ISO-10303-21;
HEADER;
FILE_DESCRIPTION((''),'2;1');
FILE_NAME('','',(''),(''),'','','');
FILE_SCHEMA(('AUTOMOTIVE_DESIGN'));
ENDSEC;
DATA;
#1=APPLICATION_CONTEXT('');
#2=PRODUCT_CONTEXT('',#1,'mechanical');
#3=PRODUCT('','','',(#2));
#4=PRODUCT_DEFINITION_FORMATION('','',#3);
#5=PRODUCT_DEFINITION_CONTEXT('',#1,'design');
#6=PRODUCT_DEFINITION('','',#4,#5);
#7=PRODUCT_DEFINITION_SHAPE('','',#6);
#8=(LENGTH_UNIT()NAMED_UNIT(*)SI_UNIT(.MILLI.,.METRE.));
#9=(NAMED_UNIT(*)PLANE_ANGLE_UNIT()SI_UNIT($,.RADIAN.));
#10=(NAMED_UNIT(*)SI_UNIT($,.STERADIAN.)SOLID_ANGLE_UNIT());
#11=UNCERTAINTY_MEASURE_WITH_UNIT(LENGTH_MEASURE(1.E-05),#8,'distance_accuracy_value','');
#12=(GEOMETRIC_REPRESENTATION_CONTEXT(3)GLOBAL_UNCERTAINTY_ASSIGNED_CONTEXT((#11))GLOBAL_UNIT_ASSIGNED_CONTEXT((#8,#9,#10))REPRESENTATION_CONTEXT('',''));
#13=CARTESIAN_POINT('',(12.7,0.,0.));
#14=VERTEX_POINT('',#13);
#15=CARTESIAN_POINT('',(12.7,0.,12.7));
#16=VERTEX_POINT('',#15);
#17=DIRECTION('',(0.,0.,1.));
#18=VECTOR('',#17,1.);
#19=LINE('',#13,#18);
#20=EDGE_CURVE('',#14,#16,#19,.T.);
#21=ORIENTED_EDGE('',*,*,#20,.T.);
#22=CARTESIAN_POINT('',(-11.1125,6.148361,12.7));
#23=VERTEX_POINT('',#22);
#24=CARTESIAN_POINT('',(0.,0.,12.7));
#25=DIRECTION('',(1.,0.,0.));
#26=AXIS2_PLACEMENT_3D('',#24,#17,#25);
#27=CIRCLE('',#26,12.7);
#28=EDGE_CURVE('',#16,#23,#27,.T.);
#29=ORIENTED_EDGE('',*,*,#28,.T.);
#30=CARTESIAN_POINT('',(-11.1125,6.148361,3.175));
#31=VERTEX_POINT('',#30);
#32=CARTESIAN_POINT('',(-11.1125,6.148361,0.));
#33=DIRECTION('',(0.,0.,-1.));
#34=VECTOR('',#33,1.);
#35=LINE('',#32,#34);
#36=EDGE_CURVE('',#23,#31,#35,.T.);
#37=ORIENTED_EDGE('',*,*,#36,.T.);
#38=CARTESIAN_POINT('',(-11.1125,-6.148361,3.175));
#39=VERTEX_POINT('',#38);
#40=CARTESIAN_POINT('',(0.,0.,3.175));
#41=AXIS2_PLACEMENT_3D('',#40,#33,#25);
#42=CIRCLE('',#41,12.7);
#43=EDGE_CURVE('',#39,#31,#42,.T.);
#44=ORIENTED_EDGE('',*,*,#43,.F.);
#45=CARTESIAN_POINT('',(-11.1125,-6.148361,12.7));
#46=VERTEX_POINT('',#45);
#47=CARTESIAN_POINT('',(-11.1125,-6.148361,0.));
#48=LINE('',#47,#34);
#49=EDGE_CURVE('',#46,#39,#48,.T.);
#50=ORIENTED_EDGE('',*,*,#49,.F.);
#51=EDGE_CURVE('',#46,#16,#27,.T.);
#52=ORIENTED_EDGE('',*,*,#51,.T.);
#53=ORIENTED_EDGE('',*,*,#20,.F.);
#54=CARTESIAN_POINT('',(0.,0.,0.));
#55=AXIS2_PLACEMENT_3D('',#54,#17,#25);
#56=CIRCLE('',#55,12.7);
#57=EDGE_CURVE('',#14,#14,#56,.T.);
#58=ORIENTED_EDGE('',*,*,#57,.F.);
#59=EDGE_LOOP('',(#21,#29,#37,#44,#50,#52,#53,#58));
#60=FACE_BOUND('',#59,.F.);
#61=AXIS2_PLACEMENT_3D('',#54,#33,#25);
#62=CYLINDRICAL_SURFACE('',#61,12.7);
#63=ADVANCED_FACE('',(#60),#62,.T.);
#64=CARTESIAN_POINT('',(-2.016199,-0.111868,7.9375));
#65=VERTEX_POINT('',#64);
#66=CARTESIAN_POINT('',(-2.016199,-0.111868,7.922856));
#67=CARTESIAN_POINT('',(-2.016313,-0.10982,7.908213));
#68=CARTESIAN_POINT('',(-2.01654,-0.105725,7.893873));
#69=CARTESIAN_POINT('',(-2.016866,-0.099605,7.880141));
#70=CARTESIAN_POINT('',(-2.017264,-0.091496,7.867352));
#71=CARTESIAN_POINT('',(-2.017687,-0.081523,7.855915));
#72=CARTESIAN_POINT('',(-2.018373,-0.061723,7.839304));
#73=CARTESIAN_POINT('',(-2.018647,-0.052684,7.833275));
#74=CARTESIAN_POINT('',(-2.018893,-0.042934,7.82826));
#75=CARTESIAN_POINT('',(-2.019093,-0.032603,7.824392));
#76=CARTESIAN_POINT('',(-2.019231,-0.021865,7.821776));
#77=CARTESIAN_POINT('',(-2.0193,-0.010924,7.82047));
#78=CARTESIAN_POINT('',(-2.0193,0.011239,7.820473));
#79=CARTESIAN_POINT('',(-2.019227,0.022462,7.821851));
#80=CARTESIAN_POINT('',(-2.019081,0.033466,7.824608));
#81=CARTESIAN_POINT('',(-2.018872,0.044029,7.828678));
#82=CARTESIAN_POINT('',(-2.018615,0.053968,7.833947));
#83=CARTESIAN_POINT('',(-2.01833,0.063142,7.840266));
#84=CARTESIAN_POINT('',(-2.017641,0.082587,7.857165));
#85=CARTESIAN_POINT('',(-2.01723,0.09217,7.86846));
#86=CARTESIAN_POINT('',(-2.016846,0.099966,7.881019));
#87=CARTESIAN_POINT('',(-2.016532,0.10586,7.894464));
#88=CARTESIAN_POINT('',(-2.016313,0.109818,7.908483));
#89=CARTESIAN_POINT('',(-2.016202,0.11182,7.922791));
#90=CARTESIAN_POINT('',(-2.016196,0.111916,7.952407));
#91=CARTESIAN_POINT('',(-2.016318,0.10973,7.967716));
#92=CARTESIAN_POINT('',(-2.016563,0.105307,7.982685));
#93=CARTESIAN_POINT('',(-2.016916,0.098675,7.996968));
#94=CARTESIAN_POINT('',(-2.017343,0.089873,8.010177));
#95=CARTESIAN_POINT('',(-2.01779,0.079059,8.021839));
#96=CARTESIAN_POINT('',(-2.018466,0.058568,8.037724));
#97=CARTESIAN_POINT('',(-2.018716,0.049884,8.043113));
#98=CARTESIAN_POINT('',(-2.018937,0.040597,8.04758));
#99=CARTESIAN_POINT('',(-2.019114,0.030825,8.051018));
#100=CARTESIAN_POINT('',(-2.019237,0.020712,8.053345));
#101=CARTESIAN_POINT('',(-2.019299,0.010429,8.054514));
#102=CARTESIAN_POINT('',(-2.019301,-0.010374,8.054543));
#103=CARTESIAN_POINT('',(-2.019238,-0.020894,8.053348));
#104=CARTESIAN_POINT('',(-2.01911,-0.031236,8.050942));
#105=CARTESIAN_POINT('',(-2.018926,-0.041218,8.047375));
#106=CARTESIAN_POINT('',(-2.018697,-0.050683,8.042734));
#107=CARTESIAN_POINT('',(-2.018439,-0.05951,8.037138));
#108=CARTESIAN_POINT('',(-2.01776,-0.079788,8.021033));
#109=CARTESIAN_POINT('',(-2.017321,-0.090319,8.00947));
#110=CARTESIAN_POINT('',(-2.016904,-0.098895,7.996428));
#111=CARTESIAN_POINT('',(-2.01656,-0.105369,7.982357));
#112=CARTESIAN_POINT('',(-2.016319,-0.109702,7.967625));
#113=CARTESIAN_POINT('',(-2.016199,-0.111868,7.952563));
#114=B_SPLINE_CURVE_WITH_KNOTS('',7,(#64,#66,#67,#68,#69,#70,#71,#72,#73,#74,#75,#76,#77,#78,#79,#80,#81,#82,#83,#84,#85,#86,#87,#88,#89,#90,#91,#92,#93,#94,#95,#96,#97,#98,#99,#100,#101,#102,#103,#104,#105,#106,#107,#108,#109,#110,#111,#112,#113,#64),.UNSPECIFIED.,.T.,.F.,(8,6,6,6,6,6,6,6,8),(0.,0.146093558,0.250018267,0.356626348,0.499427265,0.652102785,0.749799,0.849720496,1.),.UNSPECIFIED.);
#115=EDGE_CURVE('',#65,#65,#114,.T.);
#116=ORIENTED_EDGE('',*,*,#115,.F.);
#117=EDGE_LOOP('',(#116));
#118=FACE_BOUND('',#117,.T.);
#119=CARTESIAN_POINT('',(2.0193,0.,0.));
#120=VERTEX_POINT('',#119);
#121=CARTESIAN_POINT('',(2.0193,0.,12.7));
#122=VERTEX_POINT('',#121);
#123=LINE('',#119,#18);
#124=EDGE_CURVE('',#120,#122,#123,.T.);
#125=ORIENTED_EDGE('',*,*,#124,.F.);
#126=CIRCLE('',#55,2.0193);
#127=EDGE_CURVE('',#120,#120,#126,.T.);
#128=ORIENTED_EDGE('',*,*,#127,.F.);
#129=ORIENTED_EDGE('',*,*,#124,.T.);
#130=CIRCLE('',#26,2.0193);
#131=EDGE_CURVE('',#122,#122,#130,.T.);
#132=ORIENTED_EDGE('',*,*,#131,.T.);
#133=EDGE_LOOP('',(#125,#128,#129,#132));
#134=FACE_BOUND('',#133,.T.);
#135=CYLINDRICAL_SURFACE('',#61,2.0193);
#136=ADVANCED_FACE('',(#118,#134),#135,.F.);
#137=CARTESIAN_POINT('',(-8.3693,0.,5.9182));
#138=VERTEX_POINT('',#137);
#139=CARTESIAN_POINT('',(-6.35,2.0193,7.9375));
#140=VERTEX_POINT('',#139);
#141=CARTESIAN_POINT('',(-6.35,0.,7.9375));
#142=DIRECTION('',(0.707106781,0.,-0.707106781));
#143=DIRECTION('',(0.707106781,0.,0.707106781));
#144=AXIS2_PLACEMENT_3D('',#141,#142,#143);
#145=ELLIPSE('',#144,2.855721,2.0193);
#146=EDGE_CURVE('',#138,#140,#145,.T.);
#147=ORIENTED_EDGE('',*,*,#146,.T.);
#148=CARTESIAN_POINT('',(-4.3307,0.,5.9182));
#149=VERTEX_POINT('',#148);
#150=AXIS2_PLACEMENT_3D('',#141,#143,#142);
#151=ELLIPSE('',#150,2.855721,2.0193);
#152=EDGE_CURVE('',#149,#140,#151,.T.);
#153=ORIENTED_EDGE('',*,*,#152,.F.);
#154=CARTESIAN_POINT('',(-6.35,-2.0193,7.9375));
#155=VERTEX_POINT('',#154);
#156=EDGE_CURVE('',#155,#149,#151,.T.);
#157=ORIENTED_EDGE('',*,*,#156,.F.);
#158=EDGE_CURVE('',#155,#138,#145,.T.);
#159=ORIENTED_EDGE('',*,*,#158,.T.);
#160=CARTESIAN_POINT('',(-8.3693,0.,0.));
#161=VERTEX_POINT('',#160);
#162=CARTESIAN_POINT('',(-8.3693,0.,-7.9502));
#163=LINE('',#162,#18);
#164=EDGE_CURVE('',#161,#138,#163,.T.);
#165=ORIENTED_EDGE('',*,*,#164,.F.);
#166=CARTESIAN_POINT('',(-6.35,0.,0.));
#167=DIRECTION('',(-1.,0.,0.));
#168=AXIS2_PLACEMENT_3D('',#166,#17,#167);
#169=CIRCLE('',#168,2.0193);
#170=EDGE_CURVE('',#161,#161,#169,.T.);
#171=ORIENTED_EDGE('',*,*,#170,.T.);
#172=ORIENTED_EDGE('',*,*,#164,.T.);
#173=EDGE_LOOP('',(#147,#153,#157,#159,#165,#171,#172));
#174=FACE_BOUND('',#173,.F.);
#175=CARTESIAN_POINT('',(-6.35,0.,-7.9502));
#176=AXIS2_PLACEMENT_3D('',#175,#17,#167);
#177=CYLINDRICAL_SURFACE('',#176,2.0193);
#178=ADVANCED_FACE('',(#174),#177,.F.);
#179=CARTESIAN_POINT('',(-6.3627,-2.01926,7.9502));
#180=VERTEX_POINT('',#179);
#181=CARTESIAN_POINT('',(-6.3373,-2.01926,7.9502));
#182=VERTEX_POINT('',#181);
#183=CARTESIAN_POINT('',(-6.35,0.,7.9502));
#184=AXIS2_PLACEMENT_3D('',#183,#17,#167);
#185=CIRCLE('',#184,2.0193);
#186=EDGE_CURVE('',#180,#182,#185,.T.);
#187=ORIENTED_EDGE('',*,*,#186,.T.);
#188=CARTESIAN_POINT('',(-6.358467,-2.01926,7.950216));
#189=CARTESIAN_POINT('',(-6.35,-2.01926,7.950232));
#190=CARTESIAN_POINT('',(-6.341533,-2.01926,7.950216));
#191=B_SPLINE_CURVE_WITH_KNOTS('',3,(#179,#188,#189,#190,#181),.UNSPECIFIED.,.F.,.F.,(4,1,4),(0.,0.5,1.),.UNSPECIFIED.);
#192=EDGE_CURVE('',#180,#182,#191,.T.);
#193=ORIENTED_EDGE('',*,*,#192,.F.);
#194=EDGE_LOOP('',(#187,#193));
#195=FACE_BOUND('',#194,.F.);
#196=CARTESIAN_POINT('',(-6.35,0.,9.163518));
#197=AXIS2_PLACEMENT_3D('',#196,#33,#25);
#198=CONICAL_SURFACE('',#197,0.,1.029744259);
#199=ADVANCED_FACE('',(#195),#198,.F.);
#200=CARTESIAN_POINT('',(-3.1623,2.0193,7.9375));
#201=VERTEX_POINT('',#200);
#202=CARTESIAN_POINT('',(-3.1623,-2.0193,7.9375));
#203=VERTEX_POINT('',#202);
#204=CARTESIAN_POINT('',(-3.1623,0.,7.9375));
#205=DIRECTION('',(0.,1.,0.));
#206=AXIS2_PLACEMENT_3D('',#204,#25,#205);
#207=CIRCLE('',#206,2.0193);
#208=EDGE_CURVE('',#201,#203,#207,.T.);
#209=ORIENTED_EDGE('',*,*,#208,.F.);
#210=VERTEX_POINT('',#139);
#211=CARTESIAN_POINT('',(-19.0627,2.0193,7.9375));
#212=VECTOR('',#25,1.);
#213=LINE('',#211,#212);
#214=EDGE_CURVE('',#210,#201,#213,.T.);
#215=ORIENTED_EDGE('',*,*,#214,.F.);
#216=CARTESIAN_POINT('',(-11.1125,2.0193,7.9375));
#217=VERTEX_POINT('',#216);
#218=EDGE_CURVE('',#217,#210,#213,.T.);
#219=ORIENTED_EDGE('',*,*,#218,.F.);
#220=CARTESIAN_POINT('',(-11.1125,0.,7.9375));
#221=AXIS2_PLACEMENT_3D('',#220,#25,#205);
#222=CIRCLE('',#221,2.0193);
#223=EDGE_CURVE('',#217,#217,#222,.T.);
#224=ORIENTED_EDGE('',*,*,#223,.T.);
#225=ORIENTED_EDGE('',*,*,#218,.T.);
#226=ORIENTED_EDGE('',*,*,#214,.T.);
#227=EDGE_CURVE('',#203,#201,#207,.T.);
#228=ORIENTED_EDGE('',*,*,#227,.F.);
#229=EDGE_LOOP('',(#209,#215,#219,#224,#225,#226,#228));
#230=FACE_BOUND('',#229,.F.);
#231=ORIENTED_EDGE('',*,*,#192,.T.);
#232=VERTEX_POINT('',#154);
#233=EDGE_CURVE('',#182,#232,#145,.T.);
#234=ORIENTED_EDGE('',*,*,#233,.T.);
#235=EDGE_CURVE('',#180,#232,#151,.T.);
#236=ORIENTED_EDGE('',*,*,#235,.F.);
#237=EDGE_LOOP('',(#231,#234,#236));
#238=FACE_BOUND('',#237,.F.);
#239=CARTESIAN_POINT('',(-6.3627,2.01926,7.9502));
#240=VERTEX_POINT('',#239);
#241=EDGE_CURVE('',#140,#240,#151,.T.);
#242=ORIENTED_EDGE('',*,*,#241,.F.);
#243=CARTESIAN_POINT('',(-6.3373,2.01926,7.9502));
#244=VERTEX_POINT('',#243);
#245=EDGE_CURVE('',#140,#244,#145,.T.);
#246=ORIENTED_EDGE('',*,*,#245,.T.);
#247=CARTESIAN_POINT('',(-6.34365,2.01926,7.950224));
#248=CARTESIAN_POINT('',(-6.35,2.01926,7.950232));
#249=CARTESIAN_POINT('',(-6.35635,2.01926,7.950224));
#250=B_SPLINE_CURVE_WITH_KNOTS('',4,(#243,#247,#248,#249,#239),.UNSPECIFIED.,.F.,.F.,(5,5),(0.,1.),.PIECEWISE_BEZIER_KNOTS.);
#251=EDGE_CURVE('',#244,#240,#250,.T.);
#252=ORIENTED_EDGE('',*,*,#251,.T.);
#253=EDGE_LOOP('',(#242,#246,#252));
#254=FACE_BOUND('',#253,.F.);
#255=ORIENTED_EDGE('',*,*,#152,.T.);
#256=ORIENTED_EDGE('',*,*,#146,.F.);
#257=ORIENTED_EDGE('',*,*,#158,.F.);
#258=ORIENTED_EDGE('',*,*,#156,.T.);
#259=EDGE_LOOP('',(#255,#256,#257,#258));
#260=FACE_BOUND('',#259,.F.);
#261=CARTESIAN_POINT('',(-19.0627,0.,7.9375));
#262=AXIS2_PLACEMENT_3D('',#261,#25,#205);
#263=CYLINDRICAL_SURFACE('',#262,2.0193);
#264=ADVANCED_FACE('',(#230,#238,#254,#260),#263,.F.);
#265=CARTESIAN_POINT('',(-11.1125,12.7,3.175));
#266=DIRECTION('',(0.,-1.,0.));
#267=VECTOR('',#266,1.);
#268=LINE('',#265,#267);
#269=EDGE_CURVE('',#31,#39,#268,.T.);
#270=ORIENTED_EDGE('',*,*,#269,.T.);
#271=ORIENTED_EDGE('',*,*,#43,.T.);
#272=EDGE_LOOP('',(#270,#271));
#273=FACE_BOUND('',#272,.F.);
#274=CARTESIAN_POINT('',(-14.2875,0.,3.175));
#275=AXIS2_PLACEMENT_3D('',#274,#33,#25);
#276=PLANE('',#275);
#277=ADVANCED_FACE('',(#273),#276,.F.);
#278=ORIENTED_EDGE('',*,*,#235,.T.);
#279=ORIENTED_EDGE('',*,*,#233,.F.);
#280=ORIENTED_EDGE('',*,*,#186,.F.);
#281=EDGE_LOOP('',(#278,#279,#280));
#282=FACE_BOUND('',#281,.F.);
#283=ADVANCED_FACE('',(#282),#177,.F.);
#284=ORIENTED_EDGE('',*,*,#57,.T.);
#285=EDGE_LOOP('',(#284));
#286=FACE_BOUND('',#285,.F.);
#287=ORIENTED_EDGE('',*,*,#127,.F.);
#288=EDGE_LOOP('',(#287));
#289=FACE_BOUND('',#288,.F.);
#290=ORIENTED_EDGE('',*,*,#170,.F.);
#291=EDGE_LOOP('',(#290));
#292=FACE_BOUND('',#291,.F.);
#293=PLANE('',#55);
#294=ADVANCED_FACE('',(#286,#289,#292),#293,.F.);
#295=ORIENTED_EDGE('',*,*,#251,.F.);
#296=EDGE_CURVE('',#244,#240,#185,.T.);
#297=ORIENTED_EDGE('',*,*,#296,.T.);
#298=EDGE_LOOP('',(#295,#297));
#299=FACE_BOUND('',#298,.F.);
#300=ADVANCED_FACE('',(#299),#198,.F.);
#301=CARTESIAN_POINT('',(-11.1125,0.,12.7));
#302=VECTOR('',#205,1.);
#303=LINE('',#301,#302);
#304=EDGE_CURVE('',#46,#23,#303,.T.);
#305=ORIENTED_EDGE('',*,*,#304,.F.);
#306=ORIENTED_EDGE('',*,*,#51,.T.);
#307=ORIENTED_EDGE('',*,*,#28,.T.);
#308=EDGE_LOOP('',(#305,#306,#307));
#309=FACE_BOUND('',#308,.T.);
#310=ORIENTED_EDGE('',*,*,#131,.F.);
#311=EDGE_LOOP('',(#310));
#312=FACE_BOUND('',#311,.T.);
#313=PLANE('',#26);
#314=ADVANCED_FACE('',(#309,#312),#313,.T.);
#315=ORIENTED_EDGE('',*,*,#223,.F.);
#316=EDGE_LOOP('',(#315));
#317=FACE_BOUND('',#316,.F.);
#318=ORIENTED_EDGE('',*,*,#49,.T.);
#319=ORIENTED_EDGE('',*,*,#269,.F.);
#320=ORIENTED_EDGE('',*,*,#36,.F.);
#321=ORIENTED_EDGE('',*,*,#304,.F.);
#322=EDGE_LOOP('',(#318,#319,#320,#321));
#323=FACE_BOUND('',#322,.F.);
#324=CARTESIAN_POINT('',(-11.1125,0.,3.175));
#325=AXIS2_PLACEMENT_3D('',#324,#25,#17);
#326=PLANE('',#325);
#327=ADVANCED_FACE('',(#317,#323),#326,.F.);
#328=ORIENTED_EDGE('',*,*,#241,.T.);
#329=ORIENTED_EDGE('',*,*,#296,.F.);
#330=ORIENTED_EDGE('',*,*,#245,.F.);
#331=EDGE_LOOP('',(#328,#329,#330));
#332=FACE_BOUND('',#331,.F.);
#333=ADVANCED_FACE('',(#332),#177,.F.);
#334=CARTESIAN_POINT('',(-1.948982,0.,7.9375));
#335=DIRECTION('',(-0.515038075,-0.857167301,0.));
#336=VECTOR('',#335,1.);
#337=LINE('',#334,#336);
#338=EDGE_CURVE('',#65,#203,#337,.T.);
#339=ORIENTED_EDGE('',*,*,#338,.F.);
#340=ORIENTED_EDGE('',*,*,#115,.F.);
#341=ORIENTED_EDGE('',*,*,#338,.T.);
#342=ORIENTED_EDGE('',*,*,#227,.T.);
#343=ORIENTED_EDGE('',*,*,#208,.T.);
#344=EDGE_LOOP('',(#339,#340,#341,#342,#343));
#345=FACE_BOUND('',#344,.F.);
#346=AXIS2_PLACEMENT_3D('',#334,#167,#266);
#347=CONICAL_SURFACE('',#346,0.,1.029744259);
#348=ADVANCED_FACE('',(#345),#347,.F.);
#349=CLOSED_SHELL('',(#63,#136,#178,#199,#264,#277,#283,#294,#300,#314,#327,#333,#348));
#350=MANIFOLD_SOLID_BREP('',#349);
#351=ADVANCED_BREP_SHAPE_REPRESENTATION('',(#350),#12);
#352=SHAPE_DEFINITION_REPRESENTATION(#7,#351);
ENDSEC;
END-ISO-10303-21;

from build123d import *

# Parameters (mm, degrees)
F0_R     = 12.7
F0_R_2   = 2.0193
F1_DEPTH = 12.7
F2_W     = 3.175
F2_H     = 12.7
F3_DEPTH = 12.7
F5_D     = 4.0386
F5_DEPTH = 7.9502
F5_TIP   = 1.213317848
F7_D     = 4.0386
F7_DEPTH = 7.9502
F7_TIP   = 1.213317848


with BuildPart() as f1:
    # F0 (on Top) → F1 (new body)
    with BuildSketch(Plane.XY):
        Circle(F0_R)
        Circle(F0_R_2, mode=Mode.SUBTRACT)
    extrude(amount=F1_DEPTH)

    # F2 (on Front) → F3 (cut, symmetric)
    with BuildSketch(Plane.XZ):
        with Locations((-12.7, 9.525)):
            Rectangle(F2_W, F2_H)
    extrude(amount=F3_DEPTH, both=True, mode=Mode.SUBTRACT)

    # F5
    with Locations(Plane(origin=(-11.1125, 0, 0), x_dir=(0, -1, 0), z_dir=(-1, 0, 0))):
        with Locations((0, 7.9375)):
            Hole(F5_D / 2, depth=F5_DEPTH)
            with Locations((0, 0, -(F5_DEPTH + F5_TIP / 2))):  # 118° drill point
                Cone(0, F5_D / 2, F5_TIP, mode=Mode.SUBTRACT)

    # F7
    with Locations(Plane(origin=(0, 0, 0), x_dir=(1, 0, 0), z_dir=(0, 0, -1))):
        with Locations((-6.35, 0)):
            Hole(F7_D / 2, depth=F7_DEPTH)
            with Locations((0, 0, -(F7_DEPTH + F7_TIP / 2))):  # 118° drill point
                Cone(0, F7_D / 2, F7_TIP, mode=Mode.SUBTRACT)


solid = f1.part
